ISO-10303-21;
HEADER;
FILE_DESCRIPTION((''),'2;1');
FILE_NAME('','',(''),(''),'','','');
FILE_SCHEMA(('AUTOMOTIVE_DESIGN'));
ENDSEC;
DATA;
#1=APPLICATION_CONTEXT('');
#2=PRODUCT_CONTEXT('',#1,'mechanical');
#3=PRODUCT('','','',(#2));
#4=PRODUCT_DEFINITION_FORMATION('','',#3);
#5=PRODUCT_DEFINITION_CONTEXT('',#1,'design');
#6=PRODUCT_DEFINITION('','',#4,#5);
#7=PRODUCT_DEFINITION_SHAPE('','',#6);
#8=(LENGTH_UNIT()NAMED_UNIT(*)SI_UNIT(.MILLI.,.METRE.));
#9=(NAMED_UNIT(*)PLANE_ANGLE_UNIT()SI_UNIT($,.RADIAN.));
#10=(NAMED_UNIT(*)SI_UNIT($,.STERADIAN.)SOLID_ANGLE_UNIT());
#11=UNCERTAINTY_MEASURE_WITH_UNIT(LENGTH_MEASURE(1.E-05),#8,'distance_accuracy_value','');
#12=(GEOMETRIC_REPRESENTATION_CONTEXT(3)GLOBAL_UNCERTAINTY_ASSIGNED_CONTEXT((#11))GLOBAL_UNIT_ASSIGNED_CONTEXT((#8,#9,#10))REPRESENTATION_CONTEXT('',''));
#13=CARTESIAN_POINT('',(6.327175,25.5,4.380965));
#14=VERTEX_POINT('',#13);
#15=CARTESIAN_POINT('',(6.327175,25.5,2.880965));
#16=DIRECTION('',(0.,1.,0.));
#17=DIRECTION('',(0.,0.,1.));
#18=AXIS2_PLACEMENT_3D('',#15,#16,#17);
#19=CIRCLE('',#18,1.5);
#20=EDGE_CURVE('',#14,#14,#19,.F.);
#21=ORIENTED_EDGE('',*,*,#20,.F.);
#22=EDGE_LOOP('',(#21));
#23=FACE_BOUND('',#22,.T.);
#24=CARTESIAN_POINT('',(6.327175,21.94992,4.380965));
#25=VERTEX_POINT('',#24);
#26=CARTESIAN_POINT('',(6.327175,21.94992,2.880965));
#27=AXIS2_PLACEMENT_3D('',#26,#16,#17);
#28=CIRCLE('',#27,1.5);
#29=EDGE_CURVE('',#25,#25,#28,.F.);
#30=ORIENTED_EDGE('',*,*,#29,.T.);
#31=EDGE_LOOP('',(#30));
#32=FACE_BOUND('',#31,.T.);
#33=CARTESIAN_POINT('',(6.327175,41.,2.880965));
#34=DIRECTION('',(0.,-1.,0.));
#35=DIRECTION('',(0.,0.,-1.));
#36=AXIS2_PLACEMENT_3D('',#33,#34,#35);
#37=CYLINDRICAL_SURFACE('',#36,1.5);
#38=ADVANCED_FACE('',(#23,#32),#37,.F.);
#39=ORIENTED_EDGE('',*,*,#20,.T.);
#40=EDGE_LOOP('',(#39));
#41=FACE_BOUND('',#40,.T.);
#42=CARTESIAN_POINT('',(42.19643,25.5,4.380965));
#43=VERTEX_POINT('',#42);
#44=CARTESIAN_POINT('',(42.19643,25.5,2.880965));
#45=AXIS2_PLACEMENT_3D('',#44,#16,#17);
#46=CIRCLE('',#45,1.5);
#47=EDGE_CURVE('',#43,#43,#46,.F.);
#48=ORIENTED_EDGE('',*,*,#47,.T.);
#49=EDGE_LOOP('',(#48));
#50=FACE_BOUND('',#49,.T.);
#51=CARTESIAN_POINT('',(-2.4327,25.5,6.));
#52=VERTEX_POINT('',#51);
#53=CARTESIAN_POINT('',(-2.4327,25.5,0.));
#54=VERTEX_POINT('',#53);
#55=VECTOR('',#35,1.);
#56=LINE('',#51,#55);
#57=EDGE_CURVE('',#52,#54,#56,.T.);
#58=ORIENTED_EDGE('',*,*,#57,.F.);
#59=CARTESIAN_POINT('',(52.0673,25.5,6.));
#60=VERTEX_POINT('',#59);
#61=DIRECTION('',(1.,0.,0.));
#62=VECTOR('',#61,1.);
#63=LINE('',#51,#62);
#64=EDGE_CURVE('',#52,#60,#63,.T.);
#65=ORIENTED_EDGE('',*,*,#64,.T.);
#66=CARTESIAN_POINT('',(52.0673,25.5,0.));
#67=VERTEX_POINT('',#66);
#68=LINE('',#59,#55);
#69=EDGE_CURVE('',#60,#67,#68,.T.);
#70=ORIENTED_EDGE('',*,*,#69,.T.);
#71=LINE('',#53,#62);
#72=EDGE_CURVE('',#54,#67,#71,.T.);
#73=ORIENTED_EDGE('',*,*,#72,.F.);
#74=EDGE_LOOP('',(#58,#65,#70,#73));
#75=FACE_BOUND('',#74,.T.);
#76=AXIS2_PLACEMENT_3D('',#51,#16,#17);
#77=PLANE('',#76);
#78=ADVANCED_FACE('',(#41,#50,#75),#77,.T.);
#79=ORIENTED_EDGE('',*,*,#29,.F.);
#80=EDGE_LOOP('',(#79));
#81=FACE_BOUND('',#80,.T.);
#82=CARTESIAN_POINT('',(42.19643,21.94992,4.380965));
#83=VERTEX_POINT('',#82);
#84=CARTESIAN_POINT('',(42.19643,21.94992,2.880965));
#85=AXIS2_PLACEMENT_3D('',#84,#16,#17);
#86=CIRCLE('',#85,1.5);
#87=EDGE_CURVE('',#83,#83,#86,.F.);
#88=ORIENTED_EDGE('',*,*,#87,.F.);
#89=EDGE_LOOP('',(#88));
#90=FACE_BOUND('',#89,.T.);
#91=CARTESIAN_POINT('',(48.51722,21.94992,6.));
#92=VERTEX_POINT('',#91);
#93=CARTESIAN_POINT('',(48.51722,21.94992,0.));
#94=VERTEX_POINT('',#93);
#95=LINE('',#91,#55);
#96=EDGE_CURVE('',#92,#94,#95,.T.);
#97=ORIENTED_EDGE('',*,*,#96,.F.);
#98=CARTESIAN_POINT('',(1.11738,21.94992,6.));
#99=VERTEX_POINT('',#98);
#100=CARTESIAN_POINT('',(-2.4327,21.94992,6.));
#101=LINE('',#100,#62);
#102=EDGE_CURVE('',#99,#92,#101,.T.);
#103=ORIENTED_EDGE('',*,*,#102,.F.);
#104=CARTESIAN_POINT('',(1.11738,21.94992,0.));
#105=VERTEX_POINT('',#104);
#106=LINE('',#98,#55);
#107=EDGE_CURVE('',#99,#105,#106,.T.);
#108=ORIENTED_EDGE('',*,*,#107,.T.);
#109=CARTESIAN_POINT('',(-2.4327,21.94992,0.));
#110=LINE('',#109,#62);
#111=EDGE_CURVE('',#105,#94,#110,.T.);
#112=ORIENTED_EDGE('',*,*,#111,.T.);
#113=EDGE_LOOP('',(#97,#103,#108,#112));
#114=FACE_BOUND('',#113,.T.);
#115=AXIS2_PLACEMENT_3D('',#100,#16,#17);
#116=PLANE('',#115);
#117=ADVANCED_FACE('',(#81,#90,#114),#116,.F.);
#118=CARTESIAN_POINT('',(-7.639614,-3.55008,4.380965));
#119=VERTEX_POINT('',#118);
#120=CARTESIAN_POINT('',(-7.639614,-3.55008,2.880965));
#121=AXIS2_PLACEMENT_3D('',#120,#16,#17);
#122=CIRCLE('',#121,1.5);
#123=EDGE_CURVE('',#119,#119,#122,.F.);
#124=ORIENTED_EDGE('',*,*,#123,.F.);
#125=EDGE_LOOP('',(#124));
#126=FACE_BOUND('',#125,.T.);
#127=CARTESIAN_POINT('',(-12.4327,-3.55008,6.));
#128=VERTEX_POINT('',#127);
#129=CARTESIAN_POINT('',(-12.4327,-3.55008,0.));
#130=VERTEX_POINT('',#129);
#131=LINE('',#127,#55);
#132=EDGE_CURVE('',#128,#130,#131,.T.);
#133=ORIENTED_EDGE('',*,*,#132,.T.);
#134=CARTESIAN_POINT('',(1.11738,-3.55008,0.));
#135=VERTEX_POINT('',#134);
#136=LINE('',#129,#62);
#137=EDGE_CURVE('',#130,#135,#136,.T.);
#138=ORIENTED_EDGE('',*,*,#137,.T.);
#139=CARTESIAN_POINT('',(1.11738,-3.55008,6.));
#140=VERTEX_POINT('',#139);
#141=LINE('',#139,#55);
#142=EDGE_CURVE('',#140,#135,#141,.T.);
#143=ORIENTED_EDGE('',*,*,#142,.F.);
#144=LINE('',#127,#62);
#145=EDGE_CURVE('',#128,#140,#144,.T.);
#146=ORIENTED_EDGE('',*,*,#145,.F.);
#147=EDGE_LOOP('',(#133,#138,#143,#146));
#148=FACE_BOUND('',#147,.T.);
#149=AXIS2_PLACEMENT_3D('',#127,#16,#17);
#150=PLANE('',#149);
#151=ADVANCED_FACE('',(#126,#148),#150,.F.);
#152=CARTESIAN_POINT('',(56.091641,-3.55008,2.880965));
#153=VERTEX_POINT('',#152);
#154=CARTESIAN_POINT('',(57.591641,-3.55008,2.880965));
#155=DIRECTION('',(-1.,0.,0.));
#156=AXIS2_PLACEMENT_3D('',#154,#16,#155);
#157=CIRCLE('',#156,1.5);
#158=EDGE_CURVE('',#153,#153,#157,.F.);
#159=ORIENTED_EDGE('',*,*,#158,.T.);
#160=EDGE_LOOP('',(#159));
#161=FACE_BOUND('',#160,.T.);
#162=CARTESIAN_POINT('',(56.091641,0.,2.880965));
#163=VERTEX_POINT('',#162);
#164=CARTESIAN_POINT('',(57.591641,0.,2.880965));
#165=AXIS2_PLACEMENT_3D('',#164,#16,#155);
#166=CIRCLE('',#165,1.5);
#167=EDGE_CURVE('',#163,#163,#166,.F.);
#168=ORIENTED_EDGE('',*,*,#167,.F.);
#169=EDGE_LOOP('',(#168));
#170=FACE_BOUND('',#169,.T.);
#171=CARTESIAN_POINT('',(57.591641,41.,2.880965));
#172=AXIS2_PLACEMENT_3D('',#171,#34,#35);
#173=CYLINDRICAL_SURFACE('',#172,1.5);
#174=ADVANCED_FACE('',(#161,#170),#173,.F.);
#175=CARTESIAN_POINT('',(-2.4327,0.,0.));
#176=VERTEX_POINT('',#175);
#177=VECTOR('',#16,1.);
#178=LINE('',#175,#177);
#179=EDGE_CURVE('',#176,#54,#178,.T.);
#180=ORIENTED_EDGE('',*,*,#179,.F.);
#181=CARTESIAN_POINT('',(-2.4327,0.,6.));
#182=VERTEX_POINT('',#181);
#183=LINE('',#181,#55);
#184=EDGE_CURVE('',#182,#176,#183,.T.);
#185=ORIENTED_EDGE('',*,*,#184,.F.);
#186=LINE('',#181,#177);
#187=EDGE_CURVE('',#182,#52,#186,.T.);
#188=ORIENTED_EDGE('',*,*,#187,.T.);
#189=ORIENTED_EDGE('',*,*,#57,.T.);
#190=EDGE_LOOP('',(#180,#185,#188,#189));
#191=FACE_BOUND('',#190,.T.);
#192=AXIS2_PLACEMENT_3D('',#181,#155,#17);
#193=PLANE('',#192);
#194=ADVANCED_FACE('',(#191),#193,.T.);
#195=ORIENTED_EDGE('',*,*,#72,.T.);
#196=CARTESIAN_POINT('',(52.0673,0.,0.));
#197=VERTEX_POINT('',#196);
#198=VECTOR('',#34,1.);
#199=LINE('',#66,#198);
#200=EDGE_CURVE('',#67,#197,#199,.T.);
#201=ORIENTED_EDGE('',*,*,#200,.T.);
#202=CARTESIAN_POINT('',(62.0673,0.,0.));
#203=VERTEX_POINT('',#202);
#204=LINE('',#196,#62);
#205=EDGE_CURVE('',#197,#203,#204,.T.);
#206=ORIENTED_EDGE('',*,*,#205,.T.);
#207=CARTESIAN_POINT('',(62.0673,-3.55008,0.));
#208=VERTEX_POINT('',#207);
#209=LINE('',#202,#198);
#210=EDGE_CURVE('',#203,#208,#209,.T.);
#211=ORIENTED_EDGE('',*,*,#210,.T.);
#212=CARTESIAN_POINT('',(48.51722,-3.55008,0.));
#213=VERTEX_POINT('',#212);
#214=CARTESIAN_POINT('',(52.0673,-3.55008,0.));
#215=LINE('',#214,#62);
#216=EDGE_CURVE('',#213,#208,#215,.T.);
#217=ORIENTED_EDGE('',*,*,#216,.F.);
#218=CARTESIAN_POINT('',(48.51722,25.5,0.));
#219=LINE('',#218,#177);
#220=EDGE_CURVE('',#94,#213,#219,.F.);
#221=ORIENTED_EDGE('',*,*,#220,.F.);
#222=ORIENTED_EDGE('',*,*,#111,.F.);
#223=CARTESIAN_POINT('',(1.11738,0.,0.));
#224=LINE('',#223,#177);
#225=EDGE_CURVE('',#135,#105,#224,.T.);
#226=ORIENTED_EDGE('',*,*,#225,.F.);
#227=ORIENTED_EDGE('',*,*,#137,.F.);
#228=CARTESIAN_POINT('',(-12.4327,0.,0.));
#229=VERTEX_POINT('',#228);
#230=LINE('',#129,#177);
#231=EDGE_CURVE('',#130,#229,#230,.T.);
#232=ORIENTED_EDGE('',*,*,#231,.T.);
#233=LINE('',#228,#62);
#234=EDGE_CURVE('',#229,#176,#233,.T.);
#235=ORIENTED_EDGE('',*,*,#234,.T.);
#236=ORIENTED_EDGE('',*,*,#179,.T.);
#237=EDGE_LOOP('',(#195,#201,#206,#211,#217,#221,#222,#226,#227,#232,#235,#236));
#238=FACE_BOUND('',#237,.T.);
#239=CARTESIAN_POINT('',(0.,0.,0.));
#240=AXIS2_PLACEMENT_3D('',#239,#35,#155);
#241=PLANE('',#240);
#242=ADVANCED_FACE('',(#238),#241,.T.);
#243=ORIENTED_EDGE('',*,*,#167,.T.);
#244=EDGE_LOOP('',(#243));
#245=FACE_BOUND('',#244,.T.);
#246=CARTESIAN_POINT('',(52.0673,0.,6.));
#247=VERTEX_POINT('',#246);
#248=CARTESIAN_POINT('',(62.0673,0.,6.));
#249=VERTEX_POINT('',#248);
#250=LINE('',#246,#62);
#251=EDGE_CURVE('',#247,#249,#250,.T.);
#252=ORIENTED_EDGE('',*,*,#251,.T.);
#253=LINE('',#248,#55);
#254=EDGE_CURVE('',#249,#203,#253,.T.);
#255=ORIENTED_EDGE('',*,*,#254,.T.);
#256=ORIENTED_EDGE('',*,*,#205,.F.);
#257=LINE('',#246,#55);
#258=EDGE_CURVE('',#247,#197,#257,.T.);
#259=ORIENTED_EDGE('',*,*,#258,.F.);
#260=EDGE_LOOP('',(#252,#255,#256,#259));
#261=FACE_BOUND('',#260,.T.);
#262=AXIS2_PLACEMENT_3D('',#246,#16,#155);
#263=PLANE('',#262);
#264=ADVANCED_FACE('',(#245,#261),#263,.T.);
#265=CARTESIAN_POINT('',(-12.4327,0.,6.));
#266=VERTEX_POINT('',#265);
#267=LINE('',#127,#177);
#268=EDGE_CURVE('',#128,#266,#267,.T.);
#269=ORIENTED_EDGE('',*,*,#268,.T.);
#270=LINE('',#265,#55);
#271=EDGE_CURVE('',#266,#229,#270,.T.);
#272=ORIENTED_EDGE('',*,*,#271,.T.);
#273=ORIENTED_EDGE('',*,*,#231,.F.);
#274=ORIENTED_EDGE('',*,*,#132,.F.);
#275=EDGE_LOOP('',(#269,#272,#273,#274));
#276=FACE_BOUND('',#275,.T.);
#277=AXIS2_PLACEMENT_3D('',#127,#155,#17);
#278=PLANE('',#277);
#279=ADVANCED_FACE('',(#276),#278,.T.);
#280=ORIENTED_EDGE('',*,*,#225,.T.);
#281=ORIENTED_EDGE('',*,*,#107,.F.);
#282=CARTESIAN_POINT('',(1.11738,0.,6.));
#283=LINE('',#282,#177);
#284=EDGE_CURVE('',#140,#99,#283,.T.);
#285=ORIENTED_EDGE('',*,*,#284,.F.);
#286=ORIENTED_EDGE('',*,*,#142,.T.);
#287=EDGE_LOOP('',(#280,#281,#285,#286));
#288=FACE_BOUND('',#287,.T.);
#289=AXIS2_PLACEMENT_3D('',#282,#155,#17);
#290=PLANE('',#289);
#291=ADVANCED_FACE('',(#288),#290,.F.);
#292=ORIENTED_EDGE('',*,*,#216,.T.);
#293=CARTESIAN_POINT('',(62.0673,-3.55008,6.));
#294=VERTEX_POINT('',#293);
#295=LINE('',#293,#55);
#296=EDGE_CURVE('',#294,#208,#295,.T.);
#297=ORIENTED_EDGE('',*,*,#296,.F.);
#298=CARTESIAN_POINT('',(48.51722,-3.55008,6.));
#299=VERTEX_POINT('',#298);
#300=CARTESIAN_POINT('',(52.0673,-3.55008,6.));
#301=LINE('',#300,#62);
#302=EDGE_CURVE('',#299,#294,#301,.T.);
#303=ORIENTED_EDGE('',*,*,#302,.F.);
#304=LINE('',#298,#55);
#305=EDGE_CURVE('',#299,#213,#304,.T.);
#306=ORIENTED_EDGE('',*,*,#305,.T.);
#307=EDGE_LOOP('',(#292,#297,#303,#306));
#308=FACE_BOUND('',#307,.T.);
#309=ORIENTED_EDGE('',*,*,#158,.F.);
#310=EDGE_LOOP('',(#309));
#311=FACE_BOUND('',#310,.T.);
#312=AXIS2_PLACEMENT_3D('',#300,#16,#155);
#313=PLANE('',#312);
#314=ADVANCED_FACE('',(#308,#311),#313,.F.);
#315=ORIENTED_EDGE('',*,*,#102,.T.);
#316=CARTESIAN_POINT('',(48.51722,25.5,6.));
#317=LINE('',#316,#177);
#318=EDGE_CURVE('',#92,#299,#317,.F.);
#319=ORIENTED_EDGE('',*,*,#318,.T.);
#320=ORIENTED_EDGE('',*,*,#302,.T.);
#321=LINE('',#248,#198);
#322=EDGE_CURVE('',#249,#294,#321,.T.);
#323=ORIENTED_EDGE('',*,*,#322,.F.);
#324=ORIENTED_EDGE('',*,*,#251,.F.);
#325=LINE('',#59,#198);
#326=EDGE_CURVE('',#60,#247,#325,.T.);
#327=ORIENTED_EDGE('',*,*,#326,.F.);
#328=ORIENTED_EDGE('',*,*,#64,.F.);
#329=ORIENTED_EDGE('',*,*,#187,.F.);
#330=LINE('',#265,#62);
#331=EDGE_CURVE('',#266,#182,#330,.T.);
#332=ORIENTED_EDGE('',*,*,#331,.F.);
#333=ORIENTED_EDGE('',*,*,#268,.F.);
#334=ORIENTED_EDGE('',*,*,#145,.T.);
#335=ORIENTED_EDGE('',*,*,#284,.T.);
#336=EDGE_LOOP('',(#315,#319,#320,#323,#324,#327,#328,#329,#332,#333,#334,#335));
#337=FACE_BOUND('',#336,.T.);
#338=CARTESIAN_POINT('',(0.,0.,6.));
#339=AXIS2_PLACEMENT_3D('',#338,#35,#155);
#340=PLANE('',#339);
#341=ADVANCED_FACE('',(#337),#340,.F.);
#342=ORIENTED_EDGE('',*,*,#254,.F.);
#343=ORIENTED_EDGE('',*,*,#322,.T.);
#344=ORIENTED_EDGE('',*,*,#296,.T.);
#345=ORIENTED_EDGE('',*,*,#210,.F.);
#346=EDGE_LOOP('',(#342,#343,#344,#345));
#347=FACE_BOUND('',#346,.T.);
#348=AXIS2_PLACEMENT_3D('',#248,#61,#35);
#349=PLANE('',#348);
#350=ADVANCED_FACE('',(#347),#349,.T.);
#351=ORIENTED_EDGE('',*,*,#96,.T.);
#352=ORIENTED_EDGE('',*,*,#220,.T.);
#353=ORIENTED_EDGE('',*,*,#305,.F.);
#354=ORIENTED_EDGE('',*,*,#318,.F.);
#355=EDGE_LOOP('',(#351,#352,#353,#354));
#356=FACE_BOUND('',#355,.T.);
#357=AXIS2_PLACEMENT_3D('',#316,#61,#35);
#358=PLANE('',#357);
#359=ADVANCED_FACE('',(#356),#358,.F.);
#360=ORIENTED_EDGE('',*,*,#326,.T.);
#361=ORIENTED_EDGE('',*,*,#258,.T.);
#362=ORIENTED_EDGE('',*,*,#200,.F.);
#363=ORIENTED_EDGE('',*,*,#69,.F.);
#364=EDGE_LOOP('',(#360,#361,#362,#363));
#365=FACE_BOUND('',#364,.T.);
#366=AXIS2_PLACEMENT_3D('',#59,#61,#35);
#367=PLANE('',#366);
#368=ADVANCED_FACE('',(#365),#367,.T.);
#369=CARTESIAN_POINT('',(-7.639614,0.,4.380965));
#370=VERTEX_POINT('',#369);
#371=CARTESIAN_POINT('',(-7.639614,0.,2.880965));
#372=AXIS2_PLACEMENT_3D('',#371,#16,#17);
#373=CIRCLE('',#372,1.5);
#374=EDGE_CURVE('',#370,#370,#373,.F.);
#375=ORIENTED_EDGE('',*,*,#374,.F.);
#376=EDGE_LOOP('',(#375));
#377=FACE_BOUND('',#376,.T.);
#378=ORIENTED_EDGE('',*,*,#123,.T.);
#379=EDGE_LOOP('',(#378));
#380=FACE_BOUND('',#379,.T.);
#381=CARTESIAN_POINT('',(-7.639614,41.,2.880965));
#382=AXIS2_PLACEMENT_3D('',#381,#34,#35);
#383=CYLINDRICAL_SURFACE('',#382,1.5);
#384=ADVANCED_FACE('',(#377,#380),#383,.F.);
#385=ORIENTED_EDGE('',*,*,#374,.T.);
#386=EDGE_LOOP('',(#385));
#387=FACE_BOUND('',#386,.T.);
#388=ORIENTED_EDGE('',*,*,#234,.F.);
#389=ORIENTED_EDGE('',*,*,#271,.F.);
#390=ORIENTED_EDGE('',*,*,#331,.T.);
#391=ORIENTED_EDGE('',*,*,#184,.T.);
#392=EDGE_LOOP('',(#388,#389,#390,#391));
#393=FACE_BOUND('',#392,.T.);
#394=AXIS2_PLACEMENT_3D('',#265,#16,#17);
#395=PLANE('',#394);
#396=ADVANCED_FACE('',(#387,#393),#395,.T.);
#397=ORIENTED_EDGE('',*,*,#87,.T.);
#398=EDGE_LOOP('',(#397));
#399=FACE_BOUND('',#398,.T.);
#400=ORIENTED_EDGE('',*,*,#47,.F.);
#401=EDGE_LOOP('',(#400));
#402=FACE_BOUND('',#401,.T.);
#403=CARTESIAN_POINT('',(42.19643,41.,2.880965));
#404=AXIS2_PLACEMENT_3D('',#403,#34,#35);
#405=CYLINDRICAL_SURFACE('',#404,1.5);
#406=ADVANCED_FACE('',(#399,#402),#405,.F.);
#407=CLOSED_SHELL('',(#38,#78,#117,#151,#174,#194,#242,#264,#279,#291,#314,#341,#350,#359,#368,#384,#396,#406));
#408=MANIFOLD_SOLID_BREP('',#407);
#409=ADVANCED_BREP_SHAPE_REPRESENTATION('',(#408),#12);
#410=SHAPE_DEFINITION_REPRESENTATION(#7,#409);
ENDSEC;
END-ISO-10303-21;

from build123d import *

# Parameters (mm, degrees)
EXTRUDE_THIN4_DEPTH     = 6
CUT_EXTRUDE1_DEPTH      = 41
CUT_EXTRUDE1_DEPTH_BACK = 28
SKETCH3_R               = 1.5


with BuildPart() as part:
    # Sketch1 → Extrude-Thin4 (new body)
    with BuildSketch(Plane.XY):
        Polygon((-12.432700034, 0), (-2.432700034, 0), (-2.432700034, 25.5), (52.067299966, 25.5), (52.067299966, 0), (62.067299966, 0), (62.067299966, -3.550080031), (48.517219935, -3.550080031), (48.517219935, 21.949919969), (1.117379996, 21.949919969), (1.117379996, -3.550080031), (-12.432700034, -3.550080031), align=None)
    extrude(amount=EXTRUDE_THIN4_DEPTH)

    # Sketch3 → Cut-Extrude1 (cut, two sides: drawn at the far end of the back side and taken through both)
    with BuildSketch(Plane(origin=(0, 0, 0), x_dir=(1, 0, 0), z_dir=(0, 1, 0)).offset(-CUT_EXTRUDE1_DEPTH_BACK)):
        with Locations(Location((-7.639613875, -2.880964864, 0), (0, 0, 270))):
            Circle(SKETCH3_R)
        with Locations(Location((6.327175455, -2.880964864, 0), (0, 0, 270))):
            Circle(SKETCH3_R)
        with Locations(Location((42.196429871, -2.880964864, 0), (0, 0, 270))):
            Circle(SKETCH3_R)
        with Locations(Location((57.591640837, -2.880964864, 0), (0, 0, 180))):
            Circle(SKETCH3_R)
    extrude(amount=CUT_EXTRUDE1_DEPTH + CUT_EXTRUDE1_DEPTH_BACK, mode=Mode.SUBTRACT)


solid = part.part
